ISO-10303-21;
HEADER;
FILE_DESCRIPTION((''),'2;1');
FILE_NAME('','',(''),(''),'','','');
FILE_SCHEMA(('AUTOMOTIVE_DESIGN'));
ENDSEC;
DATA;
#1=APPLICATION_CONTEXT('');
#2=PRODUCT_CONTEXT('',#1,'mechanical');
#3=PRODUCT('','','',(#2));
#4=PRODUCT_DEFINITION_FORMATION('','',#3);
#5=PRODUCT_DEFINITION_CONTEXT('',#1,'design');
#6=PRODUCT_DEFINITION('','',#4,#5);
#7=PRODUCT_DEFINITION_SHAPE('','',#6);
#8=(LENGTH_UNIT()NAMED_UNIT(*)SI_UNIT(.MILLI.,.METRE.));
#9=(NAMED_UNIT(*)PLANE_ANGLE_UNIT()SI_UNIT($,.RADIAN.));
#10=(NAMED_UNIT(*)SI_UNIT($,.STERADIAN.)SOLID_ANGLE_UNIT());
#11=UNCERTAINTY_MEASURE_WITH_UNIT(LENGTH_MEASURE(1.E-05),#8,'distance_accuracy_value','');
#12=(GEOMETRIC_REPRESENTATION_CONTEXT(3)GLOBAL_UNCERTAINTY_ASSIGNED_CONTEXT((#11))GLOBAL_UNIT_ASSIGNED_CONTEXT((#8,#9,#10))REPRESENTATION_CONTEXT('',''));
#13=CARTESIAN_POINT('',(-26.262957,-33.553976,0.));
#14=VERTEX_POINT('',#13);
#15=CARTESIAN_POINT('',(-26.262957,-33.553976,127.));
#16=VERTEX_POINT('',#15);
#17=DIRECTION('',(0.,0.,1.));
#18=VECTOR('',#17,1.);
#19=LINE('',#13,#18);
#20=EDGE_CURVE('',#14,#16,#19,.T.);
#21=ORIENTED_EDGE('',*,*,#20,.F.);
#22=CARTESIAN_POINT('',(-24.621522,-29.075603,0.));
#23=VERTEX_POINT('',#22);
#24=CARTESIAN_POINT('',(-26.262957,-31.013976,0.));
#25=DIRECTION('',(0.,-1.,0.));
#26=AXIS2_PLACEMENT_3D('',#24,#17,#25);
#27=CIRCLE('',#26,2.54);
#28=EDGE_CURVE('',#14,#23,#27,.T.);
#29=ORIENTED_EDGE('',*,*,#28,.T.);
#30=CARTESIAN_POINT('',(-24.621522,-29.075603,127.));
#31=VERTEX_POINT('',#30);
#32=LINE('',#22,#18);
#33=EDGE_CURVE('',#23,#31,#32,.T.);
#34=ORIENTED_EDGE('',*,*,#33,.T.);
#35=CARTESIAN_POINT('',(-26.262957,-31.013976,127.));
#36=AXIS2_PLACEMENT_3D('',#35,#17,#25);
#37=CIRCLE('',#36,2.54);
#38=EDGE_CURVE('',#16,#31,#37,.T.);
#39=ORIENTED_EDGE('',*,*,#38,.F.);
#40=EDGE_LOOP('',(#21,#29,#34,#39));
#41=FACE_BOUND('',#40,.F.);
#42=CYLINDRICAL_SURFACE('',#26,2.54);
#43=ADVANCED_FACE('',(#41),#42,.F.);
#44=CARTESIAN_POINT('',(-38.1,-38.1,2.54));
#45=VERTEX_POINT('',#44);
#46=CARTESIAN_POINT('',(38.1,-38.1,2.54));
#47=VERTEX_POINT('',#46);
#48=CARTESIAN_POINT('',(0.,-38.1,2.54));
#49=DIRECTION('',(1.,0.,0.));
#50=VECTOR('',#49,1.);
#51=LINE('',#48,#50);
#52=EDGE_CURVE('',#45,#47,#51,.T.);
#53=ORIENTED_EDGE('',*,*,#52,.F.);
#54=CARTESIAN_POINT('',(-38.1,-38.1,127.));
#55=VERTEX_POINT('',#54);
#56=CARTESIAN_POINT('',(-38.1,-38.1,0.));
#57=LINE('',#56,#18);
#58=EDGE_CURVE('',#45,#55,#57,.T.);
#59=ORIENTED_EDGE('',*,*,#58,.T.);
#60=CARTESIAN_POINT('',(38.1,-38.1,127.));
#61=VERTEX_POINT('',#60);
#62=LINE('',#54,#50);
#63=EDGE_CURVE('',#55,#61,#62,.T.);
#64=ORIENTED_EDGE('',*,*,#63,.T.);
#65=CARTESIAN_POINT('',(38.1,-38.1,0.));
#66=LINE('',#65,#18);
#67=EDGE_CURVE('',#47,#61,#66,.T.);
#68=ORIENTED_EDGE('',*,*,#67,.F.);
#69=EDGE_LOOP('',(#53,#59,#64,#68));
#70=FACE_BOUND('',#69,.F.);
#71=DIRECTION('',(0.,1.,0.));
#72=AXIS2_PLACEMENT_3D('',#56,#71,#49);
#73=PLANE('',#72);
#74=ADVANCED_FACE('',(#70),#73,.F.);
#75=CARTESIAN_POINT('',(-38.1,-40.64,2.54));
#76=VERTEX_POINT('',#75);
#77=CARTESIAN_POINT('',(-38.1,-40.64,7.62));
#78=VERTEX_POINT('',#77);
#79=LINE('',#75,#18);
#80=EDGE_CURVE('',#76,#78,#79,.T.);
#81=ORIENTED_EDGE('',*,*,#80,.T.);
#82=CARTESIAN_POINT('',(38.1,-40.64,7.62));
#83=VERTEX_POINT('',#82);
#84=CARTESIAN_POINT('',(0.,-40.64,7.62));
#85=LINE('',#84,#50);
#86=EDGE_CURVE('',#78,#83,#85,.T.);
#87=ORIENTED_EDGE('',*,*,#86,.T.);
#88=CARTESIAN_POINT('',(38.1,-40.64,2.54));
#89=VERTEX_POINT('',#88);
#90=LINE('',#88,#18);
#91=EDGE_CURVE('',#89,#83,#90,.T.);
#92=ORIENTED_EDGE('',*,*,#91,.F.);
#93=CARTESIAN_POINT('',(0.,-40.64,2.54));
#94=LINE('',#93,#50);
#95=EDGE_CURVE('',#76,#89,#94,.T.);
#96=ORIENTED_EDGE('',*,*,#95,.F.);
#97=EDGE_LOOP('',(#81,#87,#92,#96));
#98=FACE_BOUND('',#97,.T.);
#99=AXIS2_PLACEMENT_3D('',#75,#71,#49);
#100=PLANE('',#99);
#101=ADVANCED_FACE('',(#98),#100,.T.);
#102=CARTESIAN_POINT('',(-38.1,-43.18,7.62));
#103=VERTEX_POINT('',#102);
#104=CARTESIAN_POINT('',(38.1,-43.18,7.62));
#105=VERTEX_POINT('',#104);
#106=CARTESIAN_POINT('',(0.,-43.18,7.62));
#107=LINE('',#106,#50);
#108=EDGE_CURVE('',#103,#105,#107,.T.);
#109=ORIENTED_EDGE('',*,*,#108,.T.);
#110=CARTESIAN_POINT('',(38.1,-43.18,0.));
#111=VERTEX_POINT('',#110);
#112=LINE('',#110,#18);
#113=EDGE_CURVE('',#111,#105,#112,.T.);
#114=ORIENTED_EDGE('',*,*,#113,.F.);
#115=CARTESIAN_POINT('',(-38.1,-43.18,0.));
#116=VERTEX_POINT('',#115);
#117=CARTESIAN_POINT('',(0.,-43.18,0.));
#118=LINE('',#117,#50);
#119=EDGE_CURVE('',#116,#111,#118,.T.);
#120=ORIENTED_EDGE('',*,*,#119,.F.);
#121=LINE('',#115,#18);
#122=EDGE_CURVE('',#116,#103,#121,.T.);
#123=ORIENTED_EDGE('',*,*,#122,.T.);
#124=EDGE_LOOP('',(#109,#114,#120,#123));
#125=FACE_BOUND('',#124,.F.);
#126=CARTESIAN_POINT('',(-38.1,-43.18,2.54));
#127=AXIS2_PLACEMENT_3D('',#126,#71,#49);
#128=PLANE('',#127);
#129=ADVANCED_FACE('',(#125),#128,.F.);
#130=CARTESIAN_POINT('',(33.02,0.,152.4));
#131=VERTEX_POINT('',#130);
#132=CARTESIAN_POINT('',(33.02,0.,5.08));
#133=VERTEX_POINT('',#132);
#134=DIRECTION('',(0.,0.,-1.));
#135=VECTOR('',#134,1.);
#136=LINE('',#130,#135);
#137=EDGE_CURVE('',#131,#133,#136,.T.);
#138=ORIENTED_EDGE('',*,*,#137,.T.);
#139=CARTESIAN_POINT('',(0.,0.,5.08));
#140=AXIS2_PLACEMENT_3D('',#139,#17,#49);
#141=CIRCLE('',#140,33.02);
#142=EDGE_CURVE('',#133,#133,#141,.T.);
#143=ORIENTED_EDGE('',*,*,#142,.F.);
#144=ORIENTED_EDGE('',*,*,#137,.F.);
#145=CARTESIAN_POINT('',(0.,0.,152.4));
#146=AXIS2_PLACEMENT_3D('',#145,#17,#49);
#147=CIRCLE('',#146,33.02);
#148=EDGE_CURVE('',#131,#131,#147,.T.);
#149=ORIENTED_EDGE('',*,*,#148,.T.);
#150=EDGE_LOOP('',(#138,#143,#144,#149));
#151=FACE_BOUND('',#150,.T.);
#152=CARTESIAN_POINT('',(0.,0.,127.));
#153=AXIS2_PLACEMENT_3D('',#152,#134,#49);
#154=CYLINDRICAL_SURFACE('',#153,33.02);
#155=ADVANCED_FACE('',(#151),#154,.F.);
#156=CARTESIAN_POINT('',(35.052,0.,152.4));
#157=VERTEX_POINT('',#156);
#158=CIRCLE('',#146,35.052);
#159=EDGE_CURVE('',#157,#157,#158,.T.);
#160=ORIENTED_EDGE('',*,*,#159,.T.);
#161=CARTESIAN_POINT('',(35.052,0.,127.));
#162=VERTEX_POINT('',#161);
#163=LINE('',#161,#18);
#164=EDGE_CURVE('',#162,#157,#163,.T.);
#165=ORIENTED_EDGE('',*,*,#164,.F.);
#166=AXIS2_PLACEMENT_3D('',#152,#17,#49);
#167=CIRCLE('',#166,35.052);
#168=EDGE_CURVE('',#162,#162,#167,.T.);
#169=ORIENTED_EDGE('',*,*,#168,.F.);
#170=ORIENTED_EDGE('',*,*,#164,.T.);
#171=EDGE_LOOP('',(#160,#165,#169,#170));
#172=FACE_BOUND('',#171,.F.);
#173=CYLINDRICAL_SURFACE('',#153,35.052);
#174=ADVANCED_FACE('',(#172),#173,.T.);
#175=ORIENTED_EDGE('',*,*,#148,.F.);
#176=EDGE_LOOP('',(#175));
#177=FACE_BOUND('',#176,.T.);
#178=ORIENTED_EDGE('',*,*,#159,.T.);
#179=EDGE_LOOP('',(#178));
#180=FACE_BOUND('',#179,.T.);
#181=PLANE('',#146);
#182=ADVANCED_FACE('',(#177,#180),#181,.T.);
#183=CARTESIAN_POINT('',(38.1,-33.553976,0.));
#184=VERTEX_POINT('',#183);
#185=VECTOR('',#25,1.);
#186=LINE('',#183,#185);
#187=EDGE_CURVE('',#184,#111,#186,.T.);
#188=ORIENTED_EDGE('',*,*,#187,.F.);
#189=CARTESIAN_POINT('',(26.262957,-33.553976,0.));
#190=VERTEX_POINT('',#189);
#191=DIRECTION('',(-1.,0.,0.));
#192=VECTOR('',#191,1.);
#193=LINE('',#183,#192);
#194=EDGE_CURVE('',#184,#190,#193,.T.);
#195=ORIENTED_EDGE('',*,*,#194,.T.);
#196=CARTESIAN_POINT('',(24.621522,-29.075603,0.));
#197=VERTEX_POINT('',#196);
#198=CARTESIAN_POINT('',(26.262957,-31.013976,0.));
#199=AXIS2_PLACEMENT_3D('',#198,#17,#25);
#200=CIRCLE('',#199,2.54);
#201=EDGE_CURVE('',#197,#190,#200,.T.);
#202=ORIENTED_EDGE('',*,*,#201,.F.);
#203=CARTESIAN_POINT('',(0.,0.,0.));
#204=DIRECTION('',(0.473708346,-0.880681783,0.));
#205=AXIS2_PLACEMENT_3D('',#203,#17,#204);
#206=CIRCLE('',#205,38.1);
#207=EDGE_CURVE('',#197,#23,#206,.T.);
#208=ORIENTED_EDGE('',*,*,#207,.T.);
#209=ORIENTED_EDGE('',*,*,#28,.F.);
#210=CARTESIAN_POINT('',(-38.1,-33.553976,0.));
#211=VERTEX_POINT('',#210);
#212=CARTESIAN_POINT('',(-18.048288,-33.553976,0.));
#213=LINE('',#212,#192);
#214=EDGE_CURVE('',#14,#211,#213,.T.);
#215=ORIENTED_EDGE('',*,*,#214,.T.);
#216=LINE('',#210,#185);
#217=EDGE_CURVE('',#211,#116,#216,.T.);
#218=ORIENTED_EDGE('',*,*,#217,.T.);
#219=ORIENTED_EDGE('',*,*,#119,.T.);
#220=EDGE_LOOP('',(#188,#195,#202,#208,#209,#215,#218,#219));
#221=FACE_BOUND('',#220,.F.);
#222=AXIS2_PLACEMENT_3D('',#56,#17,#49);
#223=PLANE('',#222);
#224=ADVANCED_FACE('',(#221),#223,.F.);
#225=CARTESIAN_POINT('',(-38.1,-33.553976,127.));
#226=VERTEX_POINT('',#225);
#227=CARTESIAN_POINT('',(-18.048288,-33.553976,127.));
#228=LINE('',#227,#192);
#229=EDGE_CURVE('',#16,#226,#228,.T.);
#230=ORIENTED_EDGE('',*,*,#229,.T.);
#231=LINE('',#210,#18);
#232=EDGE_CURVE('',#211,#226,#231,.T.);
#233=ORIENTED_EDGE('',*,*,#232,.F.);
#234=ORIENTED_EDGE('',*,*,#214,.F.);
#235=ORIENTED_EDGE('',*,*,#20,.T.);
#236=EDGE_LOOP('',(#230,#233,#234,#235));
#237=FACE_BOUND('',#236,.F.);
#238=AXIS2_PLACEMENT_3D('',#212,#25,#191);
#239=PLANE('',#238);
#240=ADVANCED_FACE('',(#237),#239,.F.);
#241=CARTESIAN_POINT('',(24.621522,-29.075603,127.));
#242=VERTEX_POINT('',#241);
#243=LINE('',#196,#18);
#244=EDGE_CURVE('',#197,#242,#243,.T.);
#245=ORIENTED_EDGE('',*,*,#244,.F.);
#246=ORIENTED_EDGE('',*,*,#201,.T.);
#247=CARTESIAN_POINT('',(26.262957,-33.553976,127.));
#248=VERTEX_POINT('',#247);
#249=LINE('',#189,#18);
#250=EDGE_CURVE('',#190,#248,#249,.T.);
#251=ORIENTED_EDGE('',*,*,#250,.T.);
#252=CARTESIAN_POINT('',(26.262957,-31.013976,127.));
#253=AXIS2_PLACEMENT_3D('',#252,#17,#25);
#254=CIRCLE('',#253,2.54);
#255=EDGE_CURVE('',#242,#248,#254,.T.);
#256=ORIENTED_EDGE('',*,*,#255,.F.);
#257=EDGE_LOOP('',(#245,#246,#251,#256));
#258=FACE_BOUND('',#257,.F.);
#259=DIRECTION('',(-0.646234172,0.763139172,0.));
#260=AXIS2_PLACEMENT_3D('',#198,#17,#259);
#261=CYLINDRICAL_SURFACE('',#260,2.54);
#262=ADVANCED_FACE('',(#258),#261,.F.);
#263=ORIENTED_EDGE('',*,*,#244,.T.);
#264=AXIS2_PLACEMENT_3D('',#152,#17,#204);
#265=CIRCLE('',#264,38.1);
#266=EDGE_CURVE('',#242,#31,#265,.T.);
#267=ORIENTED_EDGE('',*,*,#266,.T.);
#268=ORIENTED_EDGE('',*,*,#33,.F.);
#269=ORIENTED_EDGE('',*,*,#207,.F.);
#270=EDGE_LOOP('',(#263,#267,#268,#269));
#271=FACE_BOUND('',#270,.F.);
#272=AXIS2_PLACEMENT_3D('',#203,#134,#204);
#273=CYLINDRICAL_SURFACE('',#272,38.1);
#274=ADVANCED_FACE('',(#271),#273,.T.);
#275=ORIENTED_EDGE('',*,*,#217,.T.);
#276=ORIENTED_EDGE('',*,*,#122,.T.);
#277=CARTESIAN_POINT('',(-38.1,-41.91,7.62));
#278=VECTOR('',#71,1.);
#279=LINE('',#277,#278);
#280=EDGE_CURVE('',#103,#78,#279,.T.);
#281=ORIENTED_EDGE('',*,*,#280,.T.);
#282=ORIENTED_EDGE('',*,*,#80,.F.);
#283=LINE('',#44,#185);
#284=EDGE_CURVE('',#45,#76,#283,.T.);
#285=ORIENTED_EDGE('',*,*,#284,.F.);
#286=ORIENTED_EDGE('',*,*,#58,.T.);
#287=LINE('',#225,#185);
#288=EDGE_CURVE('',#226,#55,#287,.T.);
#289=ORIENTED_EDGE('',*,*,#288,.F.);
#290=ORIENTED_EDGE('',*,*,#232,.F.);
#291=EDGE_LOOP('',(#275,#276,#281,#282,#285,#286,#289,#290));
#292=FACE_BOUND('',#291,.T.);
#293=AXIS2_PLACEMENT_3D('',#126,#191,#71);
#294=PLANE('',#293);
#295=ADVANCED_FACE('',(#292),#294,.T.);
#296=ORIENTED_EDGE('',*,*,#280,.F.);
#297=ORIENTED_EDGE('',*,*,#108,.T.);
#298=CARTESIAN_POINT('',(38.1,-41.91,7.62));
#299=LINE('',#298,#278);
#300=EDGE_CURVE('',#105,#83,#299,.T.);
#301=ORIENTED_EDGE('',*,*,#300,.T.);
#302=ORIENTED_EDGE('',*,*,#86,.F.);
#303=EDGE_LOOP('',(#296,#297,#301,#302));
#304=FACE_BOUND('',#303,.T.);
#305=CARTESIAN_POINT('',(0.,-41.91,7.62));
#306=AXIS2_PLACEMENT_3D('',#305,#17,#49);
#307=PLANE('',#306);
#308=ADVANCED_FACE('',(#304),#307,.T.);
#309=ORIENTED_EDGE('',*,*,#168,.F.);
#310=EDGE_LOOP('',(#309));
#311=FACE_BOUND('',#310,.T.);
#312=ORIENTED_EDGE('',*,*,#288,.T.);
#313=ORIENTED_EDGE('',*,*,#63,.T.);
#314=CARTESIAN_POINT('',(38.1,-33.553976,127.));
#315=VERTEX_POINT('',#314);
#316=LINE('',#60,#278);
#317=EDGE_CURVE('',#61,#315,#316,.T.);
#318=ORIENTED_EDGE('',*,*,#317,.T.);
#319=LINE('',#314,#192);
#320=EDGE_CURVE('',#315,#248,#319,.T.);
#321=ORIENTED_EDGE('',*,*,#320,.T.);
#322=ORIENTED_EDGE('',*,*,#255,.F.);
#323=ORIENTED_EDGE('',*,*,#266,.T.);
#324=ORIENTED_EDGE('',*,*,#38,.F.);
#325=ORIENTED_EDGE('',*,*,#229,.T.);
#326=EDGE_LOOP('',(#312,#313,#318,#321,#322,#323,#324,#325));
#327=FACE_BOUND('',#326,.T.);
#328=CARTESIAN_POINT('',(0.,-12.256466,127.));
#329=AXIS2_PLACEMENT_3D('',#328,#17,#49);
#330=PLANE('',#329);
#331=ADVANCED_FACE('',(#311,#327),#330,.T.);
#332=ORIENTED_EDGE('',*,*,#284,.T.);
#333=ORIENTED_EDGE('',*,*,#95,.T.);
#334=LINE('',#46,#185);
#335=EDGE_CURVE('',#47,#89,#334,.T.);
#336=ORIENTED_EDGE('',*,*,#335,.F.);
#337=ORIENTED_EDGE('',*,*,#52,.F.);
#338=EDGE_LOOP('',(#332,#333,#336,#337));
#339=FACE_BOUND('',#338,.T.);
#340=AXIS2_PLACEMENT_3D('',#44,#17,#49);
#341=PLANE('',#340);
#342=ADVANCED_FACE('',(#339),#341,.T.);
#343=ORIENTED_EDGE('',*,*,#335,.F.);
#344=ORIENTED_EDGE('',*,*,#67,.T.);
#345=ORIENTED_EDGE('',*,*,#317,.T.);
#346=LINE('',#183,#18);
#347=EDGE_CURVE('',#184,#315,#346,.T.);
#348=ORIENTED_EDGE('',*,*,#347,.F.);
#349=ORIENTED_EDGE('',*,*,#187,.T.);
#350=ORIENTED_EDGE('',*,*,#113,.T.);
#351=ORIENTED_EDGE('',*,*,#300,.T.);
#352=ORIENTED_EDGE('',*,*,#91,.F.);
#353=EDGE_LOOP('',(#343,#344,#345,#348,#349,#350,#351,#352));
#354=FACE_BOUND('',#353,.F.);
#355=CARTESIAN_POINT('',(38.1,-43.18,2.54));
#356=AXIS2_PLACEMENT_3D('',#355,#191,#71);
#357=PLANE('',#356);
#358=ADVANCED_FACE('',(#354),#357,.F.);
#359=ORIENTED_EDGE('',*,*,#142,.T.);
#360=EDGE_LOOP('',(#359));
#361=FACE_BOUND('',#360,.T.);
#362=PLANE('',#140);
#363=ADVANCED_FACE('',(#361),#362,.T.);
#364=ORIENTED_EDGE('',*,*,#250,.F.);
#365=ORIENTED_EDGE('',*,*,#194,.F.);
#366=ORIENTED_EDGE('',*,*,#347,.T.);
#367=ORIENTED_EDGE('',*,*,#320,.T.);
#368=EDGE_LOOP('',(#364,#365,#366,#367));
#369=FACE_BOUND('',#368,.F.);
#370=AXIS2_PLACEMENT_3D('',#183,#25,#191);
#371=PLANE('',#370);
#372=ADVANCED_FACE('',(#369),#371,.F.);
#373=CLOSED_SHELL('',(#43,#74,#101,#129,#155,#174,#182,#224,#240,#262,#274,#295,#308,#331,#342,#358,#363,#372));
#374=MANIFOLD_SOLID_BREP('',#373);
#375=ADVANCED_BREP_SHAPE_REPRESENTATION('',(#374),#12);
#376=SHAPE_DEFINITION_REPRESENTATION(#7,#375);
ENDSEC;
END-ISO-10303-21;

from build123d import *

# Parameters (mm, degrees)
F1_DEPTH = 127
F2_R     = 33.02
F3_DEPTH = 121.92
F2_R_2   = 35.052
F4_DEPTH = 25.4
F5_R     = 2.54
F6_W     = 76.2
F6_H     = 2.54
F7_DEPTH = 5.08
F8_W     = 76.2
F8_H     = 2.54
F9_DEPTH = 5.08


with BuildPart() as f1:
    # F0 (on Top) → F1 (new body)
    with BuildSketch(Plane.XY):
        with BuildLine():
            Line((38.1, -33.553976), (18.048288, -33.553976))
            ThreePointArc((18.048288, -33.553976), (0, 38.1), (-18.048288, -33.553976))
            Line((-18.048288, -33.553976), (-38.1, -33.553976))
            Line((-38.1, -33.553976), (-38.1, -38.1))
            Line((-38.1, -38.1), (38.1, -38.1))
            Line((38.1, -38.1), (38.1, -33.553976))
        make_face()
    extrude(amount=F1_DEPTH)

    # F2 (on face) → F3 (cut)
    with BuildSketch(Plane.XY.offset(127)):
        Circle(F2_R)
    extrude(amount=-F3_DEPTH, mode=Mode.SUBTRACT)

    # F2 (on face) → F4 (join)
    with BuildSketch(Plane.XY.offset(127)):
        Circle(F2_R_2)
        Circle(F2_R, mode=Mode.SUBTRACT)
    extrude(amount=F4_DEPTH)

    # F5
    f5_edges = [f1.edges().sort_by_distance(p)[0] for p in [
        (18.048288, -33.553976, 63.5),
        (-18.048288, -33.553976, 63.5),
    ]]
    fillet(f5_edges, radius=F5_R)

    # F6 (on face) → F7 (join)
    with BuildSketch(Plane.XZ.offset(38.1)):
        with Locations((0, 1.27)):
            Rectangle(F6_W, F6_H)
    extrude(amount=F7_DEPTH)

    # F8 (on face) → F9 (join)
    with BuildSketch(Plane.XY.offset(2.54)):
        with Locations((0, -41.91)):
            Rectangle(F8_W, F8_H)
    extrude(amount=F9_DEPTH)


solid = f1.part
